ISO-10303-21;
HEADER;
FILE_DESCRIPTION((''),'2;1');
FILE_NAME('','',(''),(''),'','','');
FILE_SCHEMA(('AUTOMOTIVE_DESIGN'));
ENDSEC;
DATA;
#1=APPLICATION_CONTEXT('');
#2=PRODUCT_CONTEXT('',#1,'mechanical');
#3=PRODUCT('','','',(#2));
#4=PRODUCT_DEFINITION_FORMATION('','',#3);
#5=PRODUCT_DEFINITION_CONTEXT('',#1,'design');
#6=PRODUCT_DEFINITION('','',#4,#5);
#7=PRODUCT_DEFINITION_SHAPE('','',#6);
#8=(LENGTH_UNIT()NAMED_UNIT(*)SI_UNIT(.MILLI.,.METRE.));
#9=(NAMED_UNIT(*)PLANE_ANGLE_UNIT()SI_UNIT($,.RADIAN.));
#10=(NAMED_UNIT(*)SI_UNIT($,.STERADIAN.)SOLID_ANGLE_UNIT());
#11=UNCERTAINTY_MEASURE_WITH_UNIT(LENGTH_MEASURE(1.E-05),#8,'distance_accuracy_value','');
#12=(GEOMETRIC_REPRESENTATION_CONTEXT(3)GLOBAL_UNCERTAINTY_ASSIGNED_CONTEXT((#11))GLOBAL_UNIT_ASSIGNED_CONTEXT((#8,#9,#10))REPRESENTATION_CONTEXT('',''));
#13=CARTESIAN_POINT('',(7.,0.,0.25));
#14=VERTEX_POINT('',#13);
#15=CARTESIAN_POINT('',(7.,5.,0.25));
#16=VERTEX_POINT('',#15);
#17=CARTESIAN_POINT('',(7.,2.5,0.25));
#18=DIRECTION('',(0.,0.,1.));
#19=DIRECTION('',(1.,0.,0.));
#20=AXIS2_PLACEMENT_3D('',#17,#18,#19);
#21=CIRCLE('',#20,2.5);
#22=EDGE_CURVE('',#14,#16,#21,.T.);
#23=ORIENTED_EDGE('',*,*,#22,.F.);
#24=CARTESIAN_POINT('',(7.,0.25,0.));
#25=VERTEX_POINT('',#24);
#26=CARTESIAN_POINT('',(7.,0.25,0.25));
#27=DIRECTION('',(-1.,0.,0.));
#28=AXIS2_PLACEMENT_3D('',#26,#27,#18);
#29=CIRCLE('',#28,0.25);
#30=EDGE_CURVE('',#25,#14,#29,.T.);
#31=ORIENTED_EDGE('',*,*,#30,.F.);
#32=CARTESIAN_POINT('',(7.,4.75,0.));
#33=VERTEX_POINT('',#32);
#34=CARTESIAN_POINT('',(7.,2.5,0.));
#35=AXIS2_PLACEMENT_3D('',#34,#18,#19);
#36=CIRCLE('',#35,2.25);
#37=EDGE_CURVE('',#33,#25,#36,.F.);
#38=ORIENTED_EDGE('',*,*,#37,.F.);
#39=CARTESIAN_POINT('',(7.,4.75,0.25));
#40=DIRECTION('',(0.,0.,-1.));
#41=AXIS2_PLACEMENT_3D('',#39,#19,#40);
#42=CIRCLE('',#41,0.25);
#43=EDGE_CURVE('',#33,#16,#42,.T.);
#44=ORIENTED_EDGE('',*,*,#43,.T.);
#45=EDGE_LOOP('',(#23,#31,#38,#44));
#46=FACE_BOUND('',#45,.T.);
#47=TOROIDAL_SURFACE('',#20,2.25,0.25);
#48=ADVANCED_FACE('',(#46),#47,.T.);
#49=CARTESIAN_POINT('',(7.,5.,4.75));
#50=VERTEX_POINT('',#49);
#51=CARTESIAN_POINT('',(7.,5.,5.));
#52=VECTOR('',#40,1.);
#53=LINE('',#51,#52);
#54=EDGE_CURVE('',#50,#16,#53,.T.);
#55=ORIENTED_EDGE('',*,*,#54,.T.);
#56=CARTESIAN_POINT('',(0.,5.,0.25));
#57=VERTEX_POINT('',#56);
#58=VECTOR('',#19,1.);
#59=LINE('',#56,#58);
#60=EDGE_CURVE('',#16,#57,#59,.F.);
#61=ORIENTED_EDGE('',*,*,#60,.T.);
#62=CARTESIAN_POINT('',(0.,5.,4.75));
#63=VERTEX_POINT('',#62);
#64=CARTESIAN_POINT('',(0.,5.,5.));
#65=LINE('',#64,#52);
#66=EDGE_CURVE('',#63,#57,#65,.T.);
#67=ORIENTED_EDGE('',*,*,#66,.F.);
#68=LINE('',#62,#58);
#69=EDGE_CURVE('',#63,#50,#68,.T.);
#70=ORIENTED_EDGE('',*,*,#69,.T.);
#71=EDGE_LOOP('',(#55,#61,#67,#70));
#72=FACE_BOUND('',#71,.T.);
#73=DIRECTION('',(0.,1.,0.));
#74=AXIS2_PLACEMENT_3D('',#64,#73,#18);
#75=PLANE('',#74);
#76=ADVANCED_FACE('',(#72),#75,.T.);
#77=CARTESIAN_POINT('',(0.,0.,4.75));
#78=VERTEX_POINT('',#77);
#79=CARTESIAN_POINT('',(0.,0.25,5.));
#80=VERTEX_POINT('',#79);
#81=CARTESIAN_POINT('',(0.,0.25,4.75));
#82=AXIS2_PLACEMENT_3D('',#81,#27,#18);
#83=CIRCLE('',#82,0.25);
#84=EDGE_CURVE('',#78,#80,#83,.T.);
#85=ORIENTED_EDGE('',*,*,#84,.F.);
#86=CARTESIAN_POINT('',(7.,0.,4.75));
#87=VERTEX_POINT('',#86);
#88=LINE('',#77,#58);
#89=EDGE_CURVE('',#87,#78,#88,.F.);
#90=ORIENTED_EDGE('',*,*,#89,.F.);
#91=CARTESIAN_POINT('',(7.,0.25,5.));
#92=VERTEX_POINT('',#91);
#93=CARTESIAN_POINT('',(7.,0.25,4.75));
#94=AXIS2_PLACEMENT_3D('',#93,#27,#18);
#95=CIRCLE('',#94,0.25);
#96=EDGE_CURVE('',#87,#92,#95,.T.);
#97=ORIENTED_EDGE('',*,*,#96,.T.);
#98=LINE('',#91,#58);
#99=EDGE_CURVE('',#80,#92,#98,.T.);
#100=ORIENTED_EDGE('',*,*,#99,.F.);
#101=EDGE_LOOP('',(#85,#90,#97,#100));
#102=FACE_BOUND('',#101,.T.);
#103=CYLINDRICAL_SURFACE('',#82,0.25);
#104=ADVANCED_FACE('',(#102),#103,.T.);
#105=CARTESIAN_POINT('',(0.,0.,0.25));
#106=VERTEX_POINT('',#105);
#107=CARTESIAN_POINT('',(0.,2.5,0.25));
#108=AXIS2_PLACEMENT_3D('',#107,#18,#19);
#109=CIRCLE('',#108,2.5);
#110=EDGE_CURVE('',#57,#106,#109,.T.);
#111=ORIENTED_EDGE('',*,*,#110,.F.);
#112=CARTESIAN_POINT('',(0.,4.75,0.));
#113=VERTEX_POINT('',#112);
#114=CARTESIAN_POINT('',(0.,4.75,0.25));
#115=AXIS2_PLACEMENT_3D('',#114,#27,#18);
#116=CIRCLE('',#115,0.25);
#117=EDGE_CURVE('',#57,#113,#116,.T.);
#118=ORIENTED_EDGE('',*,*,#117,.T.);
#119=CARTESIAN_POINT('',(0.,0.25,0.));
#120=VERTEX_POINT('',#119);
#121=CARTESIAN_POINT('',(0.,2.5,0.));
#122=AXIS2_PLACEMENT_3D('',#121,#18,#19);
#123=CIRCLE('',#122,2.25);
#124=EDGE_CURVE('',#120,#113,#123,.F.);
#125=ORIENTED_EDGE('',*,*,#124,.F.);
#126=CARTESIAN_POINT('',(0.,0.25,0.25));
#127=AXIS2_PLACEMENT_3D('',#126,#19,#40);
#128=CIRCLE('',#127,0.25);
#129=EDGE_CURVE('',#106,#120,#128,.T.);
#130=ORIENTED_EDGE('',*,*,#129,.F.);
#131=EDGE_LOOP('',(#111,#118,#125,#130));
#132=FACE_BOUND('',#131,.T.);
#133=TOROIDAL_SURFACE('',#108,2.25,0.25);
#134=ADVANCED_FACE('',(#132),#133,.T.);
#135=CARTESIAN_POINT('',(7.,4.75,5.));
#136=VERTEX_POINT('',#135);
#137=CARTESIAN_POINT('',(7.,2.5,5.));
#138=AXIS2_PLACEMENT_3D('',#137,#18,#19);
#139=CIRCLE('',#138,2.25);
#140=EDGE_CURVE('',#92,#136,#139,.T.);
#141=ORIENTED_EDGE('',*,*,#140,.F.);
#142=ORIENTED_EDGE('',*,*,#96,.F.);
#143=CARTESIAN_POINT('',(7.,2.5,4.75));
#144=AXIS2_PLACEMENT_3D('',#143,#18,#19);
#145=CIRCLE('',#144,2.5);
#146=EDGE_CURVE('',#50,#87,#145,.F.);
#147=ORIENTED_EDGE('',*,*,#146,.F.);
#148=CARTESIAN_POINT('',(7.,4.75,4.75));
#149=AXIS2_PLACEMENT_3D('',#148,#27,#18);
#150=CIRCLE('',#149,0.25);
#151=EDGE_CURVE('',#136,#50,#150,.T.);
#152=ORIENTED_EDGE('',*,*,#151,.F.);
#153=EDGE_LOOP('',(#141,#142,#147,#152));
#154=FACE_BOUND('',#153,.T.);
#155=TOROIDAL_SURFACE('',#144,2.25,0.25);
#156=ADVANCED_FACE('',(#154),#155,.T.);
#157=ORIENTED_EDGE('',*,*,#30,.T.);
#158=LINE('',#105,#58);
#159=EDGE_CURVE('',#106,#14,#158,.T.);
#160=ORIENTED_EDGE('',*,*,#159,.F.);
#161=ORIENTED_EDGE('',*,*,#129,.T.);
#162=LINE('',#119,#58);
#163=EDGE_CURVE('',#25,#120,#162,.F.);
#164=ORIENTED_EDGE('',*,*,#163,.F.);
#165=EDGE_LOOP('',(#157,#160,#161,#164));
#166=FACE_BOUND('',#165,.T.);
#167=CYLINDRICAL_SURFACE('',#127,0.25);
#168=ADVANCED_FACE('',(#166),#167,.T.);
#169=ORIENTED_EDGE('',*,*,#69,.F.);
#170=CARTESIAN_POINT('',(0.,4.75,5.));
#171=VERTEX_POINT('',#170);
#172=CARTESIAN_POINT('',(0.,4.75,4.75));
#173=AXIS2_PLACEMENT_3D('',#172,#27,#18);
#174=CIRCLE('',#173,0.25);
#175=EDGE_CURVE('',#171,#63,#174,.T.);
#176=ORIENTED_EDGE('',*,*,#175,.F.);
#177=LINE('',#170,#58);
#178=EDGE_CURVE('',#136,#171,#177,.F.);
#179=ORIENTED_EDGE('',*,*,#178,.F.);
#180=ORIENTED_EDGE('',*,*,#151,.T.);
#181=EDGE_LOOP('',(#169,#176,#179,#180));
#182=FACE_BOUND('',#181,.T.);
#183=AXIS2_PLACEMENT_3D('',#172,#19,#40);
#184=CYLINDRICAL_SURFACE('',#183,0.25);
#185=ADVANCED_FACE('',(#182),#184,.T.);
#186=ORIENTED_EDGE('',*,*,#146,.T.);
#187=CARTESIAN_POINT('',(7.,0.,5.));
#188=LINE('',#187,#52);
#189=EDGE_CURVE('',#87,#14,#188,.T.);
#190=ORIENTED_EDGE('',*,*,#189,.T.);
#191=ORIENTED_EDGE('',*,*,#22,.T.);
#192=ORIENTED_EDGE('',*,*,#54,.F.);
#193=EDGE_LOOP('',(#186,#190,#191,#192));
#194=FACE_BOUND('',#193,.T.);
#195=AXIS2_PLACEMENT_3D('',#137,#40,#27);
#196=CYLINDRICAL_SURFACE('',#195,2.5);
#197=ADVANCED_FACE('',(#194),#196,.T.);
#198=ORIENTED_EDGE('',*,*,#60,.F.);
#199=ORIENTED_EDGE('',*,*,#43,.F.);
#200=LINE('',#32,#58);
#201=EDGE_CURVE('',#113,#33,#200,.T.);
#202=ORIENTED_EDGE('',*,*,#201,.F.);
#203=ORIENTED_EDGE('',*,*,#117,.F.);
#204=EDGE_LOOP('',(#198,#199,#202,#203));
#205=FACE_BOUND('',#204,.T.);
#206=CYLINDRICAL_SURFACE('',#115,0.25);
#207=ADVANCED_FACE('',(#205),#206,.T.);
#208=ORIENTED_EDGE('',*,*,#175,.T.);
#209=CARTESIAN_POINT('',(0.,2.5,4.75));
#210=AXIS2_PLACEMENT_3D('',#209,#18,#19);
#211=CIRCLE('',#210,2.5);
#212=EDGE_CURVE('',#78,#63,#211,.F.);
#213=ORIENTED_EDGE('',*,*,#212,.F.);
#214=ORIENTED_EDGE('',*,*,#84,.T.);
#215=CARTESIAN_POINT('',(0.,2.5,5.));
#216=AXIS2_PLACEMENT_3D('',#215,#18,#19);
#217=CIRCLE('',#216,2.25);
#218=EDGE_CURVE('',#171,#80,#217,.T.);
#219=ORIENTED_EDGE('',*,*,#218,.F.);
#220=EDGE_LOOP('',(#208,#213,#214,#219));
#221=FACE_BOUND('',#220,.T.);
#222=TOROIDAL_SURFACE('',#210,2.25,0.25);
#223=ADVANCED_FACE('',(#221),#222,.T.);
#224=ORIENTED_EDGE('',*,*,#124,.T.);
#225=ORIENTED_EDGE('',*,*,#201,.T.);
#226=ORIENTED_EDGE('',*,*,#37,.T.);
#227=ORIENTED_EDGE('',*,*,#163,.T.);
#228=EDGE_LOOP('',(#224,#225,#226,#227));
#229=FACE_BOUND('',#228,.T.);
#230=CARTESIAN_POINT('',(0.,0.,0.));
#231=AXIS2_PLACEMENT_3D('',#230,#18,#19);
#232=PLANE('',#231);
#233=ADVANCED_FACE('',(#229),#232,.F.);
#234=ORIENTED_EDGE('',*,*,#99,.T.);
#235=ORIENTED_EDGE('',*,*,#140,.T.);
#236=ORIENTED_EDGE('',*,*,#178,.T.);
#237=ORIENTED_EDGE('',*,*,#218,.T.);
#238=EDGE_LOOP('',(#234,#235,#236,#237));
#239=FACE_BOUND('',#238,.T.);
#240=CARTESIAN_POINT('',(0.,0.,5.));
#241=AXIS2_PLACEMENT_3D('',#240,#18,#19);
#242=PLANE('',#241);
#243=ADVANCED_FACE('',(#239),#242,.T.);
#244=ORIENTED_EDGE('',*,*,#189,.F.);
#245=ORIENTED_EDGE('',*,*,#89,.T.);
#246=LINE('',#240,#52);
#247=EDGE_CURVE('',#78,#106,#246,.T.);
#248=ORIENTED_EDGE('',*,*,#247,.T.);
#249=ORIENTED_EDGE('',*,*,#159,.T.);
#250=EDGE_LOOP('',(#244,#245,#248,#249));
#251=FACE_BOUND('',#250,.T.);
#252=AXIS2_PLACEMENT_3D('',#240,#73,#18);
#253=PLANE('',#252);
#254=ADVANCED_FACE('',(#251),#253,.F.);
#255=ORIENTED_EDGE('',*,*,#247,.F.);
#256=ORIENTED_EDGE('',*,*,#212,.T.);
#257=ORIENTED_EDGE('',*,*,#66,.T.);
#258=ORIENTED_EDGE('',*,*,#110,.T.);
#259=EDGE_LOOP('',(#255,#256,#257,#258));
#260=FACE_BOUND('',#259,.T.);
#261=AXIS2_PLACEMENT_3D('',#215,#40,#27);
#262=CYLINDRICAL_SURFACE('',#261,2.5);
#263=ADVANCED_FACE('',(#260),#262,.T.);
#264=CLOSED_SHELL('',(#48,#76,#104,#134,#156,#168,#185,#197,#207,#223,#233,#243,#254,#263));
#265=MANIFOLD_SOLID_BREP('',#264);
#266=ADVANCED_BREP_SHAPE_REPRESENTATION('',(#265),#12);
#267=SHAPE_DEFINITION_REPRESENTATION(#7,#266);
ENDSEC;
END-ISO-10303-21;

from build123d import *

# Parameters (mm, degrees)
BOSS_EXTRUDE1_DEPTH = 5
FILLET1_R           = 0.25


with BuildPart() as part:
    # Sketch1 → Boss-Extrude1 (new body)
    with BuildSketch(Plane.XY):
        with BuildLine():
            ThreePointArc((0, 5), (-2.5, 2.5), (0, 0))
            Line((0, 0), (0, 5))
        make_face()
        with BuildLine():
            Line((0, 5), (0, 0))
            ThreePointArc((0, 0), (1.767766953, 0.732233047), (2.5, 2.5))
            ThreePointArc((2.5, 2.5), (1.767766953, 4.267766953), (0, 5))
        make_face()
        with BuildLine():
            ThreePointArc((2.5, 2.5), (1.767766953, 0.732233047), (0, 0))
            Line((0, 0), (7, 0))
            ThreePointArc((7, 0), (4.5, 2.5), (7, 5))
            Line((7, 5), (0, 5))
            ThreePointArc((0, 5), (1.767766953, 4.267766953), (2.5, 2.5))
        make_face()
        with BuildLine():
            ThreePointArc((7, 5), (4.5, 2.5), (7, 0))
            Line((7, 0), (7, 5))
        make_face()
        with BuildLine():
            Line((7, 5), (7, 0))
            ThreePointArc((7, 0), (8.767766953, 0.732233047), (9.5, 2.5))
            ThreePointArc((9.5, 2.5), (8.767766953, 4.267766953), (7, 5))
        make_face()
    extrude(amount=BOSS_EXTRUDE1_DEPTH)

    # Fillet1
    fillet1_edges = [part.edges().sort_by_distance(p)[0] for p in [
        (3.5, 0, 5),
        (9.5, 2.5, 5),
        (3.5, 5, 5),
        (-2.5, 2.5, 5),
        (3.5, 5, 0),
        (9.5, 2.5, 0),
        (3.5, 0, 0),
        (-2.5, 2.5, 0),
    ]]
    fillet(fillet1_edges, radius=FILLET1_R)


solid = part.part
